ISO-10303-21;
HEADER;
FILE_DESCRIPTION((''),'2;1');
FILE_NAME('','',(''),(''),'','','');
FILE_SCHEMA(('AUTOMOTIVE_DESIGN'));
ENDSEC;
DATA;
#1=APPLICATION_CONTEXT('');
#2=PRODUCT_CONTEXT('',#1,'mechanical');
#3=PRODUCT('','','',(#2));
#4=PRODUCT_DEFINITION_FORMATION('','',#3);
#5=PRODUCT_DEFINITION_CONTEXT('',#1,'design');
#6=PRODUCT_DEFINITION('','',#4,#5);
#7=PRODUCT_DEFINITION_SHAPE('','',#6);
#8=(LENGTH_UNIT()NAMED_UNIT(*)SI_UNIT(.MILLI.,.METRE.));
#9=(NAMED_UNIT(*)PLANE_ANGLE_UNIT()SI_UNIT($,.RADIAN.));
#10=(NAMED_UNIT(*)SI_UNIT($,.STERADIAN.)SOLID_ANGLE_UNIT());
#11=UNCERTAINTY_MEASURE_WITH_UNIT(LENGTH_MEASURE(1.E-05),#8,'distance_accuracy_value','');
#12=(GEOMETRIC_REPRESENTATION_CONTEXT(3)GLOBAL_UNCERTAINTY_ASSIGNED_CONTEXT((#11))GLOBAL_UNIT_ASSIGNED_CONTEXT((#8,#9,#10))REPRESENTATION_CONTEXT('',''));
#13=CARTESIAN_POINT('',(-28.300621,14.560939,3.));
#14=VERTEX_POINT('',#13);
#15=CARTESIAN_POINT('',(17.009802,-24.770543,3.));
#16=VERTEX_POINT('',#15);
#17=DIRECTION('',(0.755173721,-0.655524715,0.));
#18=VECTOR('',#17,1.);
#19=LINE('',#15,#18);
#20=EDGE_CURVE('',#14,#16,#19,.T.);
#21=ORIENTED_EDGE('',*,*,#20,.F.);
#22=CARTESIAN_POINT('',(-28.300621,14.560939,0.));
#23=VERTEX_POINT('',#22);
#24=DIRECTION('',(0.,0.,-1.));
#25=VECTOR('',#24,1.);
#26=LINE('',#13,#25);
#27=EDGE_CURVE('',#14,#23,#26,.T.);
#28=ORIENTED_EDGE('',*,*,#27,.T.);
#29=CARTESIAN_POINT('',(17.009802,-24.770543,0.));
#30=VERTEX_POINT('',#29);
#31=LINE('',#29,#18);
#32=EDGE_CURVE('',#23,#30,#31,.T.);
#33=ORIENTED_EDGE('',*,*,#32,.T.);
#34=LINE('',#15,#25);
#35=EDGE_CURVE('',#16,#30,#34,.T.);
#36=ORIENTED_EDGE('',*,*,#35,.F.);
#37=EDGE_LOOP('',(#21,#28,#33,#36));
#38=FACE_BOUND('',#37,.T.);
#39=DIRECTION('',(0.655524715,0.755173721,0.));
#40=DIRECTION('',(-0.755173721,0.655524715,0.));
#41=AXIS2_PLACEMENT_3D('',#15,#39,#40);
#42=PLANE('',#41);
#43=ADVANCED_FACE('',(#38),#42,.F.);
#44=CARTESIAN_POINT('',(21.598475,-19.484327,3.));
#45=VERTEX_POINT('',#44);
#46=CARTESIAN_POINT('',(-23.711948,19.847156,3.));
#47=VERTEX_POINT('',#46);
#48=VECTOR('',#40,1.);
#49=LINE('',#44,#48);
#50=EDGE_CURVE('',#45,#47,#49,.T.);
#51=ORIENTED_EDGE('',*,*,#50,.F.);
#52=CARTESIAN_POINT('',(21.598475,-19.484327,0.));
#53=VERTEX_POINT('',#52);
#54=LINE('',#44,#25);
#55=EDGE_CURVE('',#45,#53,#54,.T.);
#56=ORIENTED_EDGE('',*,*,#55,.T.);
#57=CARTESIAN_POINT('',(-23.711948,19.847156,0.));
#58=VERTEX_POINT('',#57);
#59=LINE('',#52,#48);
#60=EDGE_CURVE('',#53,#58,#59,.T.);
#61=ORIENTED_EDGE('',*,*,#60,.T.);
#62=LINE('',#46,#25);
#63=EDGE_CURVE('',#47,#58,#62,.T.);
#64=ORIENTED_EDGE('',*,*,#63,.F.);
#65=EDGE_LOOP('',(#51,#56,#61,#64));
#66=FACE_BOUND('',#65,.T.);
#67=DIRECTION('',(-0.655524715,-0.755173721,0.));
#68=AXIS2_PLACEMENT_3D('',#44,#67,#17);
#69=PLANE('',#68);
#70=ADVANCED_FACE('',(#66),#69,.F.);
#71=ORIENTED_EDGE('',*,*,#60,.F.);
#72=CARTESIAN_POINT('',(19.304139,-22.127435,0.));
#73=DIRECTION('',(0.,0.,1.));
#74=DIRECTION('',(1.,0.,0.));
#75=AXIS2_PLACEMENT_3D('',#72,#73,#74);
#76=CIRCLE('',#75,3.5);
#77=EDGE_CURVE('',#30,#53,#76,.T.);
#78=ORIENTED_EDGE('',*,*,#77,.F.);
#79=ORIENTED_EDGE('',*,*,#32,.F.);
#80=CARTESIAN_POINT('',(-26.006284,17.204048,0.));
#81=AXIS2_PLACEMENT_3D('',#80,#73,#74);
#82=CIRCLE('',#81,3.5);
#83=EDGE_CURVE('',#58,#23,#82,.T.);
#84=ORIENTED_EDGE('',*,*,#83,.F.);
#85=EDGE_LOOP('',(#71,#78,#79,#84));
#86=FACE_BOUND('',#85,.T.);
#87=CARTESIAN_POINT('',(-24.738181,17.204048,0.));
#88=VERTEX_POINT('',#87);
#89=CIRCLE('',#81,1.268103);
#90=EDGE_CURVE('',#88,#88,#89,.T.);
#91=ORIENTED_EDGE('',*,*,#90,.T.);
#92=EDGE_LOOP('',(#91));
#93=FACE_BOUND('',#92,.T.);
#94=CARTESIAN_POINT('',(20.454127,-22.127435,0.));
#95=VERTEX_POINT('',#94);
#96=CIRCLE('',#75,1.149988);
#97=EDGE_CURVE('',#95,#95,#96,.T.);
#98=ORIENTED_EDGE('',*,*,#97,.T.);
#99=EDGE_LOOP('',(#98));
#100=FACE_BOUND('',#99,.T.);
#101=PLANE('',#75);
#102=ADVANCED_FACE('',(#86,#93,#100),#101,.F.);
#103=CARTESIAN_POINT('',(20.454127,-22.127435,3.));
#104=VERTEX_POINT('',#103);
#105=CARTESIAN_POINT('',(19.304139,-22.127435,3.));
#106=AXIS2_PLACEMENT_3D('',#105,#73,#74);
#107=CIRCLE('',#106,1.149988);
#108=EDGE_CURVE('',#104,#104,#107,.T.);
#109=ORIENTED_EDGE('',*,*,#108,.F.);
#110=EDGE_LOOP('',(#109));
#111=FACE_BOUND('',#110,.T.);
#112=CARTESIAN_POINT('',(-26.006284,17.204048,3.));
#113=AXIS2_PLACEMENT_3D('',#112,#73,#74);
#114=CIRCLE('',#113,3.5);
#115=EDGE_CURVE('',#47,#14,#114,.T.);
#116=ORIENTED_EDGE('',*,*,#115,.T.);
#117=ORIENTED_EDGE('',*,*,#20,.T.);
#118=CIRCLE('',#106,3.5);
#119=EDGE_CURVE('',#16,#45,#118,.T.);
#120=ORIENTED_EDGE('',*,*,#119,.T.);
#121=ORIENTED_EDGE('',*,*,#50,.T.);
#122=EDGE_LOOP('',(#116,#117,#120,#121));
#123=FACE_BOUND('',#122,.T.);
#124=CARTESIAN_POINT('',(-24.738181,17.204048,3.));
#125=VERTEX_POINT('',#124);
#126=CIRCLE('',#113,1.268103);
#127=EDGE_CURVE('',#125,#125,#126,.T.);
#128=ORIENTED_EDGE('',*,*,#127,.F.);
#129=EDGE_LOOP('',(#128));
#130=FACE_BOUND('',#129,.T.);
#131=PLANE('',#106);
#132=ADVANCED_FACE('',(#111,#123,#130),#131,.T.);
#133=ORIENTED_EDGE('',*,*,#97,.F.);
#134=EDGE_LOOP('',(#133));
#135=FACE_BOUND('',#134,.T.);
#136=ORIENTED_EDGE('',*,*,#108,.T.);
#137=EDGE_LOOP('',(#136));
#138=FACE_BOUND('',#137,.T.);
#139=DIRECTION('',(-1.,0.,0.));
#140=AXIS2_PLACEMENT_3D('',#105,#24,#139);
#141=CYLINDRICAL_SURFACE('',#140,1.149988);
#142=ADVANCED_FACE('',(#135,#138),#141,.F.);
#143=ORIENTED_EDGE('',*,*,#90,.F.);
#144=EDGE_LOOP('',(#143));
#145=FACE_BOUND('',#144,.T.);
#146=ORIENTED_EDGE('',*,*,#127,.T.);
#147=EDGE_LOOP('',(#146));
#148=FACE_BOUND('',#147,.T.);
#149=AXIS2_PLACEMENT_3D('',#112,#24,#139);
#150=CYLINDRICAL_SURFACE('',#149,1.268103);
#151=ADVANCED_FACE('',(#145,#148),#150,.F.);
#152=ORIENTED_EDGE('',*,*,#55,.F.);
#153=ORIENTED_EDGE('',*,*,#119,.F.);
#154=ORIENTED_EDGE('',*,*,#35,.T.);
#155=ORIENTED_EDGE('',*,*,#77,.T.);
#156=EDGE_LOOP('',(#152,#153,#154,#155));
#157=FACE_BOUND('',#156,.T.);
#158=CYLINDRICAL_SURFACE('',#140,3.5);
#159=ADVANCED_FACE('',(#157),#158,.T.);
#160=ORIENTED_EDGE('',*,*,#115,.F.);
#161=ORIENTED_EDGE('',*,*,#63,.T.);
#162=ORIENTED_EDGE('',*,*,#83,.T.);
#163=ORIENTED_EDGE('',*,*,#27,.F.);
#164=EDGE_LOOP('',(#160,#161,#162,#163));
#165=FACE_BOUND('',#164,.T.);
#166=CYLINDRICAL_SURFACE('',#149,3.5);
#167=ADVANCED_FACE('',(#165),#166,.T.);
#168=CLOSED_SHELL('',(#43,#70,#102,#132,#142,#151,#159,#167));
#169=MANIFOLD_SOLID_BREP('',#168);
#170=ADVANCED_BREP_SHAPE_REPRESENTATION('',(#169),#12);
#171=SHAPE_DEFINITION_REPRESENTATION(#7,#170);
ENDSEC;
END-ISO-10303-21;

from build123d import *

# Parameters (mm, degrees)
ESQUISSE1_R        = 1.149987874
ESQUISSE1_R_2      = 1.268103094
BOSS_EXTRU_1_DEPTH = 3


with BuildPart() as part:
    # Esquisse1 → Boss.-Extru.1 (new body)
    with BuildSketch(Plane.XY):
        with BuildLine():
            Line((17.009802299, -24.770543396), (-28.300620937, 14.560939492))
            ThreePointArc((-28.300620937, 14.560939492), (-28.649392457, 19.498384016), (-23.711947934, 19.847155536))
            Line((-23.711947934, 19.847155536), (21.598475302, -19.484327352))
            ThreePointArc((21.598475302, -19.484327352), (21.947246823, -24.421771876), (17.009802299, -24.770543396))
        make_face()
        with Locations((19.304138801, -22.127435374)):
            Circle(ESQUISSE1_R, mode=Mode.SUBTRACT)
        with Locations((-26.006284435, 17.204047514)):
            Circle(ESQUISSE1_R_2, mode=Mode.SUBTRACT)
    extrude(amount=BOSS_EXTRU_1_DEPTH)


solid = part.part
